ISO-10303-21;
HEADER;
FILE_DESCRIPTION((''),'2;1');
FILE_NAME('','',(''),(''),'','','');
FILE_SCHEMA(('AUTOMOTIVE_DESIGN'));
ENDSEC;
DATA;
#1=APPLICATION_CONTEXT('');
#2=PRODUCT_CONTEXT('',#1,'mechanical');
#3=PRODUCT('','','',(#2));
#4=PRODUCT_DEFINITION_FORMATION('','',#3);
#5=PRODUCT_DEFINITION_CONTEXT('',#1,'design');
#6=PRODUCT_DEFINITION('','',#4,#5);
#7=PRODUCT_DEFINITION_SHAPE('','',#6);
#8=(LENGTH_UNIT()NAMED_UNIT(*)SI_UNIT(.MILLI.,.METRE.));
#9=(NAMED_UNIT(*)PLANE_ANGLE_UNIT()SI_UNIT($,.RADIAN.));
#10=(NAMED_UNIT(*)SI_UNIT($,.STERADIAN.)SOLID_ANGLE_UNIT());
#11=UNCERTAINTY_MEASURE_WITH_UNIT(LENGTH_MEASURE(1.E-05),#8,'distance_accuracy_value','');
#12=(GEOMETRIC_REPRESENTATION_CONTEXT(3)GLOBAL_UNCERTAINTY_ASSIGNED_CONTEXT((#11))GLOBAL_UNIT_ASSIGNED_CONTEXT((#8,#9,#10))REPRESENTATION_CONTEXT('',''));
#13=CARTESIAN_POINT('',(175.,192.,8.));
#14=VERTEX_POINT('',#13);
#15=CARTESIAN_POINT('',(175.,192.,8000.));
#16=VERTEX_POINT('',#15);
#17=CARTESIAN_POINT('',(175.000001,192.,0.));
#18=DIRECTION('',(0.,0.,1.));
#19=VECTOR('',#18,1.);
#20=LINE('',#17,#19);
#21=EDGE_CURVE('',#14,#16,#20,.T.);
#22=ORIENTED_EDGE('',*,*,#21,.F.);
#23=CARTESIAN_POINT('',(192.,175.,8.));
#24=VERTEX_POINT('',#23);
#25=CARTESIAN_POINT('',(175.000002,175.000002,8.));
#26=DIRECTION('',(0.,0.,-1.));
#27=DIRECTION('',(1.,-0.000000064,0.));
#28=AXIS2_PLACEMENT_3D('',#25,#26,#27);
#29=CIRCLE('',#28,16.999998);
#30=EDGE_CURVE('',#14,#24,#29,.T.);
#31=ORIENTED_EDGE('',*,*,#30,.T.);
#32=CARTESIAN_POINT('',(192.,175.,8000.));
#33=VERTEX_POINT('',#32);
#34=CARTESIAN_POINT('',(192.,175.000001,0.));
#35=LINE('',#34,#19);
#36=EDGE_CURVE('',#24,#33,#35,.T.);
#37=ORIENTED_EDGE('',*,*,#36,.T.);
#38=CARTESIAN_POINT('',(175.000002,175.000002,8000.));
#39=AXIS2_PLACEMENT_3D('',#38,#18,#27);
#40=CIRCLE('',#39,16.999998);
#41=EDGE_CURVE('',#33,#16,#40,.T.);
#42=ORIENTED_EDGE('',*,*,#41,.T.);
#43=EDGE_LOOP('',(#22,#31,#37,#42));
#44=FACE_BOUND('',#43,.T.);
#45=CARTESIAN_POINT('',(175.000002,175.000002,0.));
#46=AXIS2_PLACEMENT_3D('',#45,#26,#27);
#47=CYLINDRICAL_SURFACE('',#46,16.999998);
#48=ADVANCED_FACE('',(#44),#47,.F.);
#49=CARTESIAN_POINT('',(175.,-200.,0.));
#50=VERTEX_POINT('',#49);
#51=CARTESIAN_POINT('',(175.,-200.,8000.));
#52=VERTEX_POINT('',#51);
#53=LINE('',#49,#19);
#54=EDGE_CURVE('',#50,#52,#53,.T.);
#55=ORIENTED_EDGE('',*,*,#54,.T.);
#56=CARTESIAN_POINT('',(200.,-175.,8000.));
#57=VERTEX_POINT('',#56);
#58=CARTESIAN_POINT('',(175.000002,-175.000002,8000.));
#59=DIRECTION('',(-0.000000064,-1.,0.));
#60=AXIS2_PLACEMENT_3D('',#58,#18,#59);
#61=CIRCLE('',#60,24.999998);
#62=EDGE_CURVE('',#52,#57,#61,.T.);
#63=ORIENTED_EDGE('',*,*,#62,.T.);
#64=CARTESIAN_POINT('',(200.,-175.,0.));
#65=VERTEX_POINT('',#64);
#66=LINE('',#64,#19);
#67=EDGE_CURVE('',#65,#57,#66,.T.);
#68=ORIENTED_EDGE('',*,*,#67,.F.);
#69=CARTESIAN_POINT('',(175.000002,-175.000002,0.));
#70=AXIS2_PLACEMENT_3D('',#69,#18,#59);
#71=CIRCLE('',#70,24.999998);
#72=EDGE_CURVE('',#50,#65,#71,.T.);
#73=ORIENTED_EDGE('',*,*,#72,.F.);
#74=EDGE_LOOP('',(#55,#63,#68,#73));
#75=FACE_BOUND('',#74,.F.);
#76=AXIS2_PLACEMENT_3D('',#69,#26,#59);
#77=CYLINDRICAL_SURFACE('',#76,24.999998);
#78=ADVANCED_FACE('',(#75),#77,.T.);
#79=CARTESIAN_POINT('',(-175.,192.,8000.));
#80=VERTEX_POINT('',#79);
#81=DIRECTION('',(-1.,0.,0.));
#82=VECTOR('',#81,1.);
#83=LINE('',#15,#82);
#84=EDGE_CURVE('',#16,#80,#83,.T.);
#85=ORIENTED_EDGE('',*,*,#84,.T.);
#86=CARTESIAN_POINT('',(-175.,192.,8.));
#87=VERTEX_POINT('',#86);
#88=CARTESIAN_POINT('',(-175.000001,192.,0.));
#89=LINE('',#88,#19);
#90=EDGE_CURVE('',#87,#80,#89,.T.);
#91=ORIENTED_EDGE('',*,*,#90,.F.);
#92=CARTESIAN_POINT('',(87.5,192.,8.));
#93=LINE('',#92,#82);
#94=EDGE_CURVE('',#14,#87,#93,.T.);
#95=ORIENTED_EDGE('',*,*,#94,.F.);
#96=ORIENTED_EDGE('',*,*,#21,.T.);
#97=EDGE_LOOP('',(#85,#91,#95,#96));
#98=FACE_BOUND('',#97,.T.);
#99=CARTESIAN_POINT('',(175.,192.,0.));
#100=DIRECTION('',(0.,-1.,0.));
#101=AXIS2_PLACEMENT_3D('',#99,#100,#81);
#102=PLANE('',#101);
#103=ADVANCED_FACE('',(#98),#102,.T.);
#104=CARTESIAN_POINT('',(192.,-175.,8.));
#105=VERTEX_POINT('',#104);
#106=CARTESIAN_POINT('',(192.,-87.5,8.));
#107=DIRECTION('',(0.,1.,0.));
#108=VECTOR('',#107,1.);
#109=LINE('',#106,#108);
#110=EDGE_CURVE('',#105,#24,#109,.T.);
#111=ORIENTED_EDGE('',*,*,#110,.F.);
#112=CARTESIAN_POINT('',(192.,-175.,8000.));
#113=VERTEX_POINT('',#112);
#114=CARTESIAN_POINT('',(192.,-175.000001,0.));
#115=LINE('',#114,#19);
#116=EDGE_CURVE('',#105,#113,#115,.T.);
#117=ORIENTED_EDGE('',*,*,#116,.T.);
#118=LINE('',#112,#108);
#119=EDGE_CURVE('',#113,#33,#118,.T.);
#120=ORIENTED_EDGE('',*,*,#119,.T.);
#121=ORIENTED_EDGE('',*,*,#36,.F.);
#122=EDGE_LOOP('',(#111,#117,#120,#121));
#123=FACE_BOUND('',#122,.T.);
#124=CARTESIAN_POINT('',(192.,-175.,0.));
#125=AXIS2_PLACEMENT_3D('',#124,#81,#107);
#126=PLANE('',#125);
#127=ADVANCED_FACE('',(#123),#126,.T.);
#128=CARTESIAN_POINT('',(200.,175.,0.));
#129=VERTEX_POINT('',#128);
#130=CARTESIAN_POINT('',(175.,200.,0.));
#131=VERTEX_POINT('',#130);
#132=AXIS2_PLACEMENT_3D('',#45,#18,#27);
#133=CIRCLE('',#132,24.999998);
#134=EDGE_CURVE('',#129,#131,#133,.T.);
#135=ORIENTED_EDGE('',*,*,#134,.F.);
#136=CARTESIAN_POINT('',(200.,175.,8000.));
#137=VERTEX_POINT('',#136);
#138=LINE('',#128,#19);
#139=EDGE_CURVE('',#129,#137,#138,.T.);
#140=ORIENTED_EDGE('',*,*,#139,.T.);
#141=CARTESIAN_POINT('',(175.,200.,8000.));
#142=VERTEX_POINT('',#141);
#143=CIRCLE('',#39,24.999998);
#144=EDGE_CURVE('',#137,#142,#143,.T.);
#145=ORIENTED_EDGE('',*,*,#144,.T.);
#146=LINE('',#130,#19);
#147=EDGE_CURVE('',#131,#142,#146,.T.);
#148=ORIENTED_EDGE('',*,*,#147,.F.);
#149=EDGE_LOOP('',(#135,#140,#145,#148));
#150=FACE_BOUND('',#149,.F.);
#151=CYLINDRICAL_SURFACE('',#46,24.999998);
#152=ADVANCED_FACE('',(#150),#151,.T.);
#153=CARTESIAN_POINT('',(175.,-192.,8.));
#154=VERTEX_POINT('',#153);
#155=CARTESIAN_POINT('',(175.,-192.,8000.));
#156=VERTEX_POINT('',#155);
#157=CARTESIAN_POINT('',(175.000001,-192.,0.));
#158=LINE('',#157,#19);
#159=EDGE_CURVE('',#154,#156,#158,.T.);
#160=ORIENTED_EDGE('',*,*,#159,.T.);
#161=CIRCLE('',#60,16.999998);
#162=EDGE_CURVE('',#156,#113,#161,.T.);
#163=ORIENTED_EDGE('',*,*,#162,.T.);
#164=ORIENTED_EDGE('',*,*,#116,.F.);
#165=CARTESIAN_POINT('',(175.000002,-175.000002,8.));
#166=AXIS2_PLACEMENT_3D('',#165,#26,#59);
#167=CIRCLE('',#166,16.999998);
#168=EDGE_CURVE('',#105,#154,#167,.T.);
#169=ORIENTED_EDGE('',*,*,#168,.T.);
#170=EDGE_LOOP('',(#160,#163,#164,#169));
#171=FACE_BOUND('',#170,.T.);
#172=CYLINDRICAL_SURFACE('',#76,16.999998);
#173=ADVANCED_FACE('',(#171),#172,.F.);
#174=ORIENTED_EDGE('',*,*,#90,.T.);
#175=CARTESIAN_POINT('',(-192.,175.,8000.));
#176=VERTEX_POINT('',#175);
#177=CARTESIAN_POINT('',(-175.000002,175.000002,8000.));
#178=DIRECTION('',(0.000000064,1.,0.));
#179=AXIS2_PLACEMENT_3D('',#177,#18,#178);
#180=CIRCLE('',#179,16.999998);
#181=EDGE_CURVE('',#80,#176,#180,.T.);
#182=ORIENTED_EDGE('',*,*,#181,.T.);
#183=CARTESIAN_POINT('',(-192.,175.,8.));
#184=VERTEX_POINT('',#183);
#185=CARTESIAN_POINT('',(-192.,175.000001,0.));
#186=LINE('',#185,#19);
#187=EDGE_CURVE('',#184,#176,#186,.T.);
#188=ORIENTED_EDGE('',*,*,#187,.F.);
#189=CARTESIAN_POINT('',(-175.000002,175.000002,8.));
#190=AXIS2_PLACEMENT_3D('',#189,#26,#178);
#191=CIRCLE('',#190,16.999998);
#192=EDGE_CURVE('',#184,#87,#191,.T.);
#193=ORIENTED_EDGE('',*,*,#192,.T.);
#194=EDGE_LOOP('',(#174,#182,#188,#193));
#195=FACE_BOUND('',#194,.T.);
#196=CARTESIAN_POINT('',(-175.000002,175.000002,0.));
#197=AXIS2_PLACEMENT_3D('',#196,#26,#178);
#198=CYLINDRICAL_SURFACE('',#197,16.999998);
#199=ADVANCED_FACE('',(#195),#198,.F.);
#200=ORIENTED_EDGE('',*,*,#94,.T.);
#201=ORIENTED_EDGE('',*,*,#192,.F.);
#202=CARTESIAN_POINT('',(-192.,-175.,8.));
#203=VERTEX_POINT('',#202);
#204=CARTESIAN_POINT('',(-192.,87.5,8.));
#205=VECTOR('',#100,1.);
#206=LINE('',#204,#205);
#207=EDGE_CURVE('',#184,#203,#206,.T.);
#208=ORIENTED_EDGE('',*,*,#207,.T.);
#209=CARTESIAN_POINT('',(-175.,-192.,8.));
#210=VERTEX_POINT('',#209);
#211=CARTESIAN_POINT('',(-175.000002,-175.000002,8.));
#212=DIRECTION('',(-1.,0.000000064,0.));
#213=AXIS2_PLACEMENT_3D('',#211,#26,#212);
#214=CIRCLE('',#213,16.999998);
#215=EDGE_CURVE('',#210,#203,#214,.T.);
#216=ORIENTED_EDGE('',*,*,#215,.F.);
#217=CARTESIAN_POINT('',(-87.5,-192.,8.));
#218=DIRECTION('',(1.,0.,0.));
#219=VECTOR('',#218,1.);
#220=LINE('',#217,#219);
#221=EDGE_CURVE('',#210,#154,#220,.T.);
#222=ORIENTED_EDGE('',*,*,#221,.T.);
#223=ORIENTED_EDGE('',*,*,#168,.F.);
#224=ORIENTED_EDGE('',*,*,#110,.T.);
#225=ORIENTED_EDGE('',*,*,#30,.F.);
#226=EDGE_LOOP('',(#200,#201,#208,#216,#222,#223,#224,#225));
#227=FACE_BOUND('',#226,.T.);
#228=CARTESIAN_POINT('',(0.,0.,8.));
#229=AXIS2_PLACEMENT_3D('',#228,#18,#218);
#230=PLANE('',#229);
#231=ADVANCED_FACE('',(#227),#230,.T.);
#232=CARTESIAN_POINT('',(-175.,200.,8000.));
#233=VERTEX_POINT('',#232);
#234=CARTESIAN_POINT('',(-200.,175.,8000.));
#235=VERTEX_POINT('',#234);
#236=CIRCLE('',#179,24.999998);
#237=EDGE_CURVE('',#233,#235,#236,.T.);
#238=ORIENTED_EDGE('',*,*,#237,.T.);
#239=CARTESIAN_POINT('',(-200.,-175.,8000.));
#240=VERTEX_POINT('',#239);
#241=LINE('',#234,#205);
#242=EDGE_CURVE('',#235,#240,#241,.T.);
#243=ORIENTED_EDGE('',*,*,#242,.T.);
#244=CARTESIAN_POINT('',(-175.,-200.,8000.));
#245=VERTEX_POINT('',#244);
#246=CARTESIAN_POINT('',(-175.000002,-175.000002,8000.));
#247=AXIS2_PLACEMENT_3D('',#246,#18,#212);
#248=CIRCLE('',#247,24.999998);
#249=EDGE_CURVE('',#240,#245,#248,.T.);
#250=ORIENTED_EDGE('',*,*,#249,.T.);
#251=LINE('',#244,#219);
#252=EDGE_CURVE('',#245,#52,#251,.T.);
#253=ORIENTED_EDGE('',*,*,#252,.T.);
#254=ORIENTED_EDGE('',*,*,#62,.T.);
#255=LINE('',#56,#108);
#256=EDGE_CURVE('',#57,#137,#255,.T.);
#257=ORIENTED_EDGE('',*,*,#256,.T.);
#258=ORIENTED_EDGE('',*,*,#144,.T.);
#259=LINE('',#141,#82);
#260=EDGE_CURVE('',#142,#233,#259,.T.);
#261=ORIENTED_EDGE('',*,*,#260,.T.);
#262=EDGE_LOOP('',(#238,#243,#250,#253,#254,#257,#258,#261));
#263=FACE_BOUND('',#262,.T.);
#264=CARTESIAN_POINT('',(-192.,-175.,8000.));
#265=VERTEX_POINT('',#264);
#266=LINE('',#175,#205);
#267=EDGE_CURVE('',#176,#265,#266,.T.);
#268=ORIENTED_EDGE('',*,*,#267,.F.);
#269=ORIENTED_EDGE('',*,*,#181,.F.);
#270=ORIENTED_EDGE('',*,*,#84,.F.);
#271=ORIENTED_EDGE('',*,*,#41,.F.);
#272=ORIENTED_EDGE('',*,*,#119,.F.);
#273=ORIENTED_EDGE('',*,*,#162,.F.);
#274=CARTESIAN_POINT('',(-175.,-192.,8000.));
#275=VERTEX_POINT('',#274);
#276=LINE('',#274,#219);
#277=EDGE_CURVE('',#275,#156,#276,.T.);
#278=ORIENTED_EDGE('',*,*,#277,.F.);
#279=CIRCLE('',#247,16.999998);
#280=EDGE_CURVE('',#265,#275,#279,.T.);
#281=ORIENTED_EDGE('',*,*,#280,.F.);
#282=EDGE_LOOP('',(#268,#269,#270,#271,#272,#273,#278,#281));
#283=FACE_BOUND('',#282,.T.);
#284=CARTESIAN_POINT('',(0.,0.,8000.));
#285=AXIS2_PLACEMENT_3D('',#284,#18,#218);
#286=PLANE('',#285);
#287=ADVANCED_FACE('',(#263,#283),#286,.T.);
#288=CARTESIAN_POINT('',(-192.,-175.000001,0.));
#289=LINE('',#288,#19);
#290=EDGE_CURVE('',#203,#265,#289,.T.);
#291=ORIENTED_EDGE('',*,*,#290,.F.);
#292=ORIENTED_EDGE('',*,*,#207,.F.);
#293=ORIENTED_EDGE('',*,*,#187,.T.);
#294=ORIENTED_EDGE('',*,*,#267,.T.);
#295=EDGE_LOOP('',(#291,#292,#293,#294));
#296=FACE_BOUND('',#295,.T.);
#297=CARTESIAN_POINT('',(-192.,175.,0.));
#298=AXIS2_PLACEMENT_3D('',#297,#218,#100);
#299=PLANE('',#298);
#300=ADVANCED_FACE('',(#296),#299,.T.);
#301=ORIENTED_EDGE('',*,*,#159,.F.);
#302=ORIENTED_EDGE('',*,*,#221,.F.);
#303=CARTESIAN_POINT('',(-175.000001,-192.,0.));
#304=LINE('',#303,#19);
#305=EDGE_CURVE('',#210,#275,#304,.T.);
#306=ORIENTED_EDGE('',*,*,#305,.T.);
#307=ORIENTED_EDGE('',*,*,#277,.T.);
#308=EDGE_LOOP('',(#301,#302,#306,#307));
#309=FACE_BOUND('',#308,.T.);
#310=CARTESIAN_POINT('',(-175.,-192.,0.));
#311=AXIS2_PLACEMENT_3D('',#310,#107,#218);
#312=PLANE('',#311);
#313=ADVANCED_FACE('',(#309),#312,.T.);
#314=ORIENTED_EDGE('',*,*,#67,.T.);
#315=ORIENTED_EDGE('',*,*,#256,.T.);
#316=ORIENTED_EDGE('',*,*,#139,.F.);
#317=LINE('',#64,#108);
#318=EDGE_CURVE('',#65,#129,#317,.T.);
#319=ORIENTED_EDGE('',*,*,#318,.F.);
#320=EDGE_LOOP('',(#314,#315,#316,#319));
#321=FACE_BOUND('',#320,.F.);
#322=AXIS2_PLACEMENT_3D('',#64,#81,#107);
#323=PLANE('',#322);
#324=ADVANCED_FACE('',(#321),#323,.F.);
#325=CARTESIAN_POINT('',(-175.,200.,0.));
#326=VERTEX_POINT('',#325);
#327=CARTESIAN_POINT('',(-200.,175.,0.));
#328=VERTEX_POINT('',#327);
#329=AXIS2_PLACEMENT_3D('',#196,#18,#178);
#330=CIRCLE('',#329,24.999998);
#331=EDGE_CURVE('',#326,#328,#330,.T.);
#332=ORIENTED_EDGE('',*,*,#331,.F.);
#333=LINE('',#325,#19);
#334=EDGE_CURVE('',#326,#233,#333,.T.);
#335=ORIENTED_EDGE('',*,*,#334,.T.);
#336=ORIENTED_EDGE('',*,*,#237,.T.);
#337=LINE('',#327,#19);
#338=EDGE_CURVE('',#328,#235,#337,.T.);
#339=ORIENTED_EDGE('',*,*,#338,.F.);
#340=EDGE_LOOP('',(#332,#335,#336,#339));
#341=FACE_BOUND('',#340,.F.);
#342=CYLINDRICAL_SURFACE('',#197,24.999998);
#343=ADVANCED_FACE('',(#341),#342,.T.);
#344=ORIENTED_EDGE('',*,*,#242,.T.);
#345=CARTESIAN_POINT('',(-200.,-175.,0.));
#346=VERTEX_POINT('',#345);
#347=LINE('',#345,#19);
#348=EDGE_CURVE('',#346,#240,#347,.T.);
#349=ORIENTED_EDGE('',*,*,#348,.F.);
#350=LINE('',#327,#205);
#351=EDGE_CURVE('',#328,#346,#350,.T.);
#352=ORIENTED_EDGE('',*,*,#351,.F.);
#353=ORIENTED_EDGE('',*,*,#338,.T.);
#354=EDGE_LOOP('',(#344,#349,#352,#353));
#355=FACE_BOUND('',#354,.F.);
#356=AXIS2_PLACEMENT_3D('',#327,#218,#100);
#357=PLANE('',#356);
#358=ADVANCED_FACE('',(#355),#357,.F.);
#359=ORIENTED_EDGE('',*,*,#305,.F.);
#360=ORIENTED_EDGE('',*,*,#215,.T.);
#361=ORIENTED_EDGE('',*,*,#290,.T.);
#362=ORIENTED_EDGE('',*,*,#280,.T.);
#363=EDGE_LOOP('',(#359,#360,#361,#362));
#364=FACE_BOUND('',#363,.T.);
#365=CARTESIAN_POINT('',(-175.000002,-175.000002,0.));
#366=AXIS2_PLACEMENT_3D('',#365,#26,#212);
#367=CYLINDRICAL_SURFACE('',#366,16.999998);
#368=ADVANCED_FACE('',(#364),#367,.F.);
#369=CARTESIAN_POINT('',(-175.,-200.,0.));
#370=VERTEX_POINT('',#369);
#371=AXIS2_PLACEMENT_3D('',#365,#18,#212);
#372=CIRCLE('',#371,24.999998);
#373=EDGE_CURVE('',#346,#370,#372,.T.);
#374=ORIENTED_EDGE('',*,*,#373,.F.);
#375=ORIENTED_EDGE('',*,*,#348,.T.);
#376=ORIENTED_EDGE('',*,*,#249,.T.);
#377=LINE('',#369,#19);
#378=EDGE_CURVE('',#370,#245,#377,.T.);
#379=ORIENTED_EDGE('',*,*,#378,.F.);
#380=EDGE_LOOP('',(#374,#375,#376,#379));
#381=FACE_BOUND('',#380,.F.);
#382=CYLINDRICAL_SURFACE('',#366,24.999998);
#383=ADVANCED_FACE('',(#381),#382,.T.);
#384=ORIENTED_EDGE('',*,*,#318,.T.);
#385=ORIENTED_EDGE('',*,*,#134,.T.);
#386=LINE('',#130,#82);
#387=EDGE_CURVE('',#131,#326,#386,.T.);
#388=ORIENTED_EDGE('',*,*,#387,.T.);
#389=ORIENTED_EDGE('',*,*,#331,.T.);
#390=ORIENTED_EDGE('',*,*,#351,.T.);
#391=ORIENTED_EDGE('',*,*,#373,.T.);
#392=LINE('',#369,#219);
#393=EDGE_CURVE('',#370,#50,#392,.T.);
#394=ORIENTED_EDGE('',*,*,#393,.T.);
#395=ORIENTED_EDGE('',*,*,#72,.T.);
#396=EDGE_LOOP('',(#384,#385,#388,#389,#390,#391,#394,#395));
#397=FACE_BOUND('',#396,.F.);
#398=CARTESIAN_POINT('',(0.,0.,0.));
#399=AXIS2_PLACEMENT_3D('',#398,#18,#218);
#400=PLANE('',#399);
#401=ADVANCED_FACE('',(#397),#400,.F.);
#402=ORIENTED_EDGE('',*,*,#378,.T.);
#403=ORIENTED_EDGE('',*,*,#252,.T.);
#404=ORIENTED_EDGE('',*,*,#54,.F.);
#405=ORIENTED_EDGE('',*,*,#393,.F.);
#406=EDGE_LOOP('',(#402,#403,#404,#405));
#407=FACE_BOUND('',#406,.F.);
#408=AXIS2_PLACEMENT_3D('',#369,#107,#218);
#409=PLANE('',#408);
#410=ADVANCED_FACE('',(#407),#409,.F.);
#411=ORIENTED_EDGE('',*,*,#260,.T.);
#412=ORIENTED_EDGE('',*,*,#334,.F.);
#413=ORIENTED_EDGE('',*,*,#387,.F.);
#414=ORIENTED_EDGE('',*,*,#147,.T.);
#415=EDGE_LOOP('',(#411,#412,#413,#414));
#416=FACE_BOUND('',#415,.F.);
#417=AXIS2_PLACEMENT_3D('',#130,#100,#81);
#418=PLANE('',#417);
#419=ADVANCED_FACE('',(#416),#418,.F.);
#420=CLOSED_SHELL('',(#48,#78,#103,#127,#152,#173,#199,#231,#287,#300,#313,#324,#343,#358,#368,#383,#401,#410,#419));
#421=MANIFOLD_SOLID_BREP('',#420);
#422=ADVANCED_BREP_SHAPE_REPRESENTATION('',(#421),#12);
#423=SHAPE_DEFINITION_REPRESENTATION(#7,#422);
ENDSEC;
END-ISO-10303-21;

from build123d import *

# Parameters (mm, degrees)
F1_DEPTH = 8000
F2_T     = -8


with BuildPart() as f1:
    # F0 (on Top) → F1 (new body)
    with BuildSketch(Plane.XY):
        with BuildLine():
            Line((-175, -200), (175, -200))
            ThreePointArc((175, -200), (192.67767, -192.67767), (200, -175))
            Line((200, -175), (200, 175))
            ThreePointArc((200, 175), (192.67767, 192.67767), (175, 200))
            Line((175, 200), (-175, 200))
            ThreePointArc((-175, 200), (-192.67767, 192.67767), (-200, 175))
            Line((-200, 175), (-200, -175))
            ThreePointArc((-200, -175), (-192.67767, -192.67767), (-175, -200))
        make_face()
    extrude(amount=F1_DEPTH)

    # F2
    f2_openings = [f1.faces().sort_by_distance(p)[0] for p in [
        (0, 0, 8000),
    ]]
    offset(amount=F2_T, openings=f2_openings)


solid = f1.part
